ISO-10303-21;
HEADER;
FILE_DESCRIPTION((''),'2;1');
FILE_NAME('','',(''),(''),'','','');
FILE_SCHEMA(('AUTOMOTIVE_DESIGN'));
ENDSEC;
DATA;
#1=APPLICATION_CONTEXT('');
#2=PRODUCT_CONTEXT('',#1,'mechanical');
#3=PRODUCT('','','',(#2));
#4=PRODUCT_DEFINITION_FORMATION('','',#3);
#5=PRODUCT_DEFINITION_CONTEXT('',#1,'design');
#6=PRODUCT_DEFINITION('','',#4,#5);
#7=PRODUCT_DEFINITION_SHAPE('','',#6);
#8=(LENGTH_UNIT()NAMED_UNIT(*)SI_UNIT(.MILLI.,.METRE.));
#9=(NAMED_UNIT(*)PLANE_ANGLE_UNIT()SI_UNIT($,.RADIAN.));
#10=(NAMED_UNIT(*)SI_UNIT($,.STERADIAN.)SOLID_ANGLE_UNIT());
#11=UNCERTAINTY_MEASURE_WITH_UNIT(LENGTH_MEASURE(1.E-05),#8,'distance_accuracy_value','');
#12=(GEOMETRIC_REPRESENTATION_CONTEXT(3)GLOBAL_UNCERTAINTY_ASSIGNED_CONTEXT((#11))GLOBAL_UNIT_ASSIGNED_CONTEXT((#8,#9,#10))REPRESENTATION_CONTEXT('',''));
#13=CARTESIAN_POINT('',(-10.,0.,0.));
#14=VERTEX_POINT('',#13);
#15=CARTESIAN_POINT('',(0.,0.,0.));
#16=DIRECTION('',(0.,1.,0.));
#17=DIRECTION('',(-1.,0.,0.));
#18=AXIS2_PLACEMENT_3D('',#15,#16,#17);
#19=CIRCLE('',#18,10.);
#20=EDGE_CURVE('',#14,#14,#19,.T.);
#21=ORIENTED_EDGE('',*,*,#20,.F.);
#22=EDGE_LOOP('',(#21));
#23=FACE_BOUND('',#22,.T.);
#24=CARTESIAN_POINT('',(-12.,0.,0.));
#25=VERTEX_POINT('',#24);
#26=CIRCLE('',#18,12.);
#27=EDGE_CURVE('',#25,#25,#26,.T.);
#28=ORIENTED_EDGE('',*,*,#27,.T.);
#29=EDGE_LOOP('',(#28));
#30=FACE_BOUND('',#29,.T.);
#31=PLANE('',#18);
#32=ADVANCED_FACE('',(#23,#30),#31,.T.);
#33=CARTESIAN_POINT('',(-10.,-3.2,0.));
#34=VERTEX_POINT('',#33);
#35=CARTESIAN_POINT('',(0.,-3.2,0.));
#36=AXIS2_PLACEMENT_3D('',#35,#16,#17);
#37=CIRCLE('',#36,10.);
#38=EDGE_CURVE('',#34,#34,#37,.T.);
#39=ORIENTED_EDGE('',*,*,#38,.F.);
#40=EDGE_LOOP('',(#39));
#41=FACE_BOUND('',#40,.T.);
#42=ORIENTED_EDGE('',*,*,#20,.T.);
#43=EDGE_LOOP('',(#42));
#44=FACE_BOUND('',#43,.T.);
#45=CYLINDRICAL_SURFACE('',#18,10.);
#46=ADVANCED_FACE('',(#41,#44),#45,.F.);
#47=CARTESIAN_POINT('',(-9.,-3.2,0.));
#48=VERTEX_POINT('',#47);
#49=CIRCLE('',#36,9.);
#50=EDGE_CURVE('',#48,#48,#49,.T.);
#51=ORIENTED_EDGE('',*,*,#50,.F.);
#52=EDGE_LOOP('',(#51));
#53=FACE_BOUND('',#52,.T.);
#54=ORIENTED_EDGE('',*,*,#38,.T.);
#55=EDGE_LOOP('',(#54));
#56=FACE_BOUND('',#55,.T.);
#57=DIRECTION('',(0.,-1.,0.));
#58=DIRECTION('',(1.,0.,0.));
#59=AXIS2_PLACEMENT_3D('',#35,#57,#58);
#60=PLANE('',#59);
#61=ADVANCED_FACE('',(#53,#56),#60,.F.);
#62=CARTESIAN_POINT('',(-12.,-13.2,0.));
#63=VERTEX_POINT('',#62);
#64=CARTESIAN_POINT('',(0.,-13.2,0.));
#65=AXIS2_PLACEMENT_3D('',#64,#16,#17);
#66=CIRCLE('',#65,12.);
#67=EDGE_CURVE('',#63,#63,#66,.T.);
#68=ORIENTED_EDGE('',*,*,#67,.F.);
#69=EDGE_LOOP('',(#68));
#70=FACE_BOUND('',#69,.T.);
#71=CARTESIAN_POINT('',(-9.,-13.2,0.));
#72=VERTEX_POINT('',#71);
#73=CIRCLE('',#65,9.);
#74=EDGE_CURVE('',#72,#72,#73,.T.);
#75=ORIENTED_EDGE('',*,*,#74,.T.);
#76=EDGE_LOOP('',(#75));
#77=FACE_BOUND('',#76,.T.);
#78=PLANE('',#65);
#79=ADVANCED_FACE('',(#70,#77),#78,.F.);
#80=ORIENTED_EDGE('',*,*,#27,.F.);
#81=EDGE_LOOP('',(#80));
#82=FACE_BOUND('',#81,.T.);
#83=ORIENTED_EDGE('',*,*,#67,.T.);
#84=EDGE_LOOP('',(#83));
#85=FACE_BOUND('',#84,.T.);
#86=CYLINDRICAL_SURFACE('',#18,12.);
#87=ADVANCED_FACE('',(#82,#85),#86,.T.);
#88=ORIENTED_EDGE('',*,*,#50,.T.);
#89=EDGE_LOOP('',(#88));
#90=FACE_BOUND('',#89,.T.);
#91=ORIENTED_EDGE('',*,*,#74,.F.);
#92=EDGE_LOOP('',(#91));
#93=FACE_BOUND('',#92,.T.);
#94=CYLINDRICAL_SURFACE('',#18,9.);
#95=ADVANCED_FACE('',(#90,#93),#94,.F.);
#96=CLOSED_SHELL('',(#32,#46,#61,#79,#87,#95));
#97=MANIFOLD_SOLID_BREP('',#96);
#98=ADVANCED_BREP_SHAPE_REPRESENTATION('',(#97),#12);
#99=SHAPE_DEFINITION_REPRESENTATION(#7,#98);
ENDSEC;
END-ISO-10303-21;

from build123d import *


with BuildPart() as part:
    # Sketch1 → Revolve1 (revolve)
    with BuildSketch(Plane.XY):
        Polygon((12, 0), (10, 0), (10, -3.2), (9, -3.2), (9, -13.2), (12, -13.2), align=None)
    revolve(axis=Axis((0, 0, 0), (0, -1, 0)))


solid = part.part
